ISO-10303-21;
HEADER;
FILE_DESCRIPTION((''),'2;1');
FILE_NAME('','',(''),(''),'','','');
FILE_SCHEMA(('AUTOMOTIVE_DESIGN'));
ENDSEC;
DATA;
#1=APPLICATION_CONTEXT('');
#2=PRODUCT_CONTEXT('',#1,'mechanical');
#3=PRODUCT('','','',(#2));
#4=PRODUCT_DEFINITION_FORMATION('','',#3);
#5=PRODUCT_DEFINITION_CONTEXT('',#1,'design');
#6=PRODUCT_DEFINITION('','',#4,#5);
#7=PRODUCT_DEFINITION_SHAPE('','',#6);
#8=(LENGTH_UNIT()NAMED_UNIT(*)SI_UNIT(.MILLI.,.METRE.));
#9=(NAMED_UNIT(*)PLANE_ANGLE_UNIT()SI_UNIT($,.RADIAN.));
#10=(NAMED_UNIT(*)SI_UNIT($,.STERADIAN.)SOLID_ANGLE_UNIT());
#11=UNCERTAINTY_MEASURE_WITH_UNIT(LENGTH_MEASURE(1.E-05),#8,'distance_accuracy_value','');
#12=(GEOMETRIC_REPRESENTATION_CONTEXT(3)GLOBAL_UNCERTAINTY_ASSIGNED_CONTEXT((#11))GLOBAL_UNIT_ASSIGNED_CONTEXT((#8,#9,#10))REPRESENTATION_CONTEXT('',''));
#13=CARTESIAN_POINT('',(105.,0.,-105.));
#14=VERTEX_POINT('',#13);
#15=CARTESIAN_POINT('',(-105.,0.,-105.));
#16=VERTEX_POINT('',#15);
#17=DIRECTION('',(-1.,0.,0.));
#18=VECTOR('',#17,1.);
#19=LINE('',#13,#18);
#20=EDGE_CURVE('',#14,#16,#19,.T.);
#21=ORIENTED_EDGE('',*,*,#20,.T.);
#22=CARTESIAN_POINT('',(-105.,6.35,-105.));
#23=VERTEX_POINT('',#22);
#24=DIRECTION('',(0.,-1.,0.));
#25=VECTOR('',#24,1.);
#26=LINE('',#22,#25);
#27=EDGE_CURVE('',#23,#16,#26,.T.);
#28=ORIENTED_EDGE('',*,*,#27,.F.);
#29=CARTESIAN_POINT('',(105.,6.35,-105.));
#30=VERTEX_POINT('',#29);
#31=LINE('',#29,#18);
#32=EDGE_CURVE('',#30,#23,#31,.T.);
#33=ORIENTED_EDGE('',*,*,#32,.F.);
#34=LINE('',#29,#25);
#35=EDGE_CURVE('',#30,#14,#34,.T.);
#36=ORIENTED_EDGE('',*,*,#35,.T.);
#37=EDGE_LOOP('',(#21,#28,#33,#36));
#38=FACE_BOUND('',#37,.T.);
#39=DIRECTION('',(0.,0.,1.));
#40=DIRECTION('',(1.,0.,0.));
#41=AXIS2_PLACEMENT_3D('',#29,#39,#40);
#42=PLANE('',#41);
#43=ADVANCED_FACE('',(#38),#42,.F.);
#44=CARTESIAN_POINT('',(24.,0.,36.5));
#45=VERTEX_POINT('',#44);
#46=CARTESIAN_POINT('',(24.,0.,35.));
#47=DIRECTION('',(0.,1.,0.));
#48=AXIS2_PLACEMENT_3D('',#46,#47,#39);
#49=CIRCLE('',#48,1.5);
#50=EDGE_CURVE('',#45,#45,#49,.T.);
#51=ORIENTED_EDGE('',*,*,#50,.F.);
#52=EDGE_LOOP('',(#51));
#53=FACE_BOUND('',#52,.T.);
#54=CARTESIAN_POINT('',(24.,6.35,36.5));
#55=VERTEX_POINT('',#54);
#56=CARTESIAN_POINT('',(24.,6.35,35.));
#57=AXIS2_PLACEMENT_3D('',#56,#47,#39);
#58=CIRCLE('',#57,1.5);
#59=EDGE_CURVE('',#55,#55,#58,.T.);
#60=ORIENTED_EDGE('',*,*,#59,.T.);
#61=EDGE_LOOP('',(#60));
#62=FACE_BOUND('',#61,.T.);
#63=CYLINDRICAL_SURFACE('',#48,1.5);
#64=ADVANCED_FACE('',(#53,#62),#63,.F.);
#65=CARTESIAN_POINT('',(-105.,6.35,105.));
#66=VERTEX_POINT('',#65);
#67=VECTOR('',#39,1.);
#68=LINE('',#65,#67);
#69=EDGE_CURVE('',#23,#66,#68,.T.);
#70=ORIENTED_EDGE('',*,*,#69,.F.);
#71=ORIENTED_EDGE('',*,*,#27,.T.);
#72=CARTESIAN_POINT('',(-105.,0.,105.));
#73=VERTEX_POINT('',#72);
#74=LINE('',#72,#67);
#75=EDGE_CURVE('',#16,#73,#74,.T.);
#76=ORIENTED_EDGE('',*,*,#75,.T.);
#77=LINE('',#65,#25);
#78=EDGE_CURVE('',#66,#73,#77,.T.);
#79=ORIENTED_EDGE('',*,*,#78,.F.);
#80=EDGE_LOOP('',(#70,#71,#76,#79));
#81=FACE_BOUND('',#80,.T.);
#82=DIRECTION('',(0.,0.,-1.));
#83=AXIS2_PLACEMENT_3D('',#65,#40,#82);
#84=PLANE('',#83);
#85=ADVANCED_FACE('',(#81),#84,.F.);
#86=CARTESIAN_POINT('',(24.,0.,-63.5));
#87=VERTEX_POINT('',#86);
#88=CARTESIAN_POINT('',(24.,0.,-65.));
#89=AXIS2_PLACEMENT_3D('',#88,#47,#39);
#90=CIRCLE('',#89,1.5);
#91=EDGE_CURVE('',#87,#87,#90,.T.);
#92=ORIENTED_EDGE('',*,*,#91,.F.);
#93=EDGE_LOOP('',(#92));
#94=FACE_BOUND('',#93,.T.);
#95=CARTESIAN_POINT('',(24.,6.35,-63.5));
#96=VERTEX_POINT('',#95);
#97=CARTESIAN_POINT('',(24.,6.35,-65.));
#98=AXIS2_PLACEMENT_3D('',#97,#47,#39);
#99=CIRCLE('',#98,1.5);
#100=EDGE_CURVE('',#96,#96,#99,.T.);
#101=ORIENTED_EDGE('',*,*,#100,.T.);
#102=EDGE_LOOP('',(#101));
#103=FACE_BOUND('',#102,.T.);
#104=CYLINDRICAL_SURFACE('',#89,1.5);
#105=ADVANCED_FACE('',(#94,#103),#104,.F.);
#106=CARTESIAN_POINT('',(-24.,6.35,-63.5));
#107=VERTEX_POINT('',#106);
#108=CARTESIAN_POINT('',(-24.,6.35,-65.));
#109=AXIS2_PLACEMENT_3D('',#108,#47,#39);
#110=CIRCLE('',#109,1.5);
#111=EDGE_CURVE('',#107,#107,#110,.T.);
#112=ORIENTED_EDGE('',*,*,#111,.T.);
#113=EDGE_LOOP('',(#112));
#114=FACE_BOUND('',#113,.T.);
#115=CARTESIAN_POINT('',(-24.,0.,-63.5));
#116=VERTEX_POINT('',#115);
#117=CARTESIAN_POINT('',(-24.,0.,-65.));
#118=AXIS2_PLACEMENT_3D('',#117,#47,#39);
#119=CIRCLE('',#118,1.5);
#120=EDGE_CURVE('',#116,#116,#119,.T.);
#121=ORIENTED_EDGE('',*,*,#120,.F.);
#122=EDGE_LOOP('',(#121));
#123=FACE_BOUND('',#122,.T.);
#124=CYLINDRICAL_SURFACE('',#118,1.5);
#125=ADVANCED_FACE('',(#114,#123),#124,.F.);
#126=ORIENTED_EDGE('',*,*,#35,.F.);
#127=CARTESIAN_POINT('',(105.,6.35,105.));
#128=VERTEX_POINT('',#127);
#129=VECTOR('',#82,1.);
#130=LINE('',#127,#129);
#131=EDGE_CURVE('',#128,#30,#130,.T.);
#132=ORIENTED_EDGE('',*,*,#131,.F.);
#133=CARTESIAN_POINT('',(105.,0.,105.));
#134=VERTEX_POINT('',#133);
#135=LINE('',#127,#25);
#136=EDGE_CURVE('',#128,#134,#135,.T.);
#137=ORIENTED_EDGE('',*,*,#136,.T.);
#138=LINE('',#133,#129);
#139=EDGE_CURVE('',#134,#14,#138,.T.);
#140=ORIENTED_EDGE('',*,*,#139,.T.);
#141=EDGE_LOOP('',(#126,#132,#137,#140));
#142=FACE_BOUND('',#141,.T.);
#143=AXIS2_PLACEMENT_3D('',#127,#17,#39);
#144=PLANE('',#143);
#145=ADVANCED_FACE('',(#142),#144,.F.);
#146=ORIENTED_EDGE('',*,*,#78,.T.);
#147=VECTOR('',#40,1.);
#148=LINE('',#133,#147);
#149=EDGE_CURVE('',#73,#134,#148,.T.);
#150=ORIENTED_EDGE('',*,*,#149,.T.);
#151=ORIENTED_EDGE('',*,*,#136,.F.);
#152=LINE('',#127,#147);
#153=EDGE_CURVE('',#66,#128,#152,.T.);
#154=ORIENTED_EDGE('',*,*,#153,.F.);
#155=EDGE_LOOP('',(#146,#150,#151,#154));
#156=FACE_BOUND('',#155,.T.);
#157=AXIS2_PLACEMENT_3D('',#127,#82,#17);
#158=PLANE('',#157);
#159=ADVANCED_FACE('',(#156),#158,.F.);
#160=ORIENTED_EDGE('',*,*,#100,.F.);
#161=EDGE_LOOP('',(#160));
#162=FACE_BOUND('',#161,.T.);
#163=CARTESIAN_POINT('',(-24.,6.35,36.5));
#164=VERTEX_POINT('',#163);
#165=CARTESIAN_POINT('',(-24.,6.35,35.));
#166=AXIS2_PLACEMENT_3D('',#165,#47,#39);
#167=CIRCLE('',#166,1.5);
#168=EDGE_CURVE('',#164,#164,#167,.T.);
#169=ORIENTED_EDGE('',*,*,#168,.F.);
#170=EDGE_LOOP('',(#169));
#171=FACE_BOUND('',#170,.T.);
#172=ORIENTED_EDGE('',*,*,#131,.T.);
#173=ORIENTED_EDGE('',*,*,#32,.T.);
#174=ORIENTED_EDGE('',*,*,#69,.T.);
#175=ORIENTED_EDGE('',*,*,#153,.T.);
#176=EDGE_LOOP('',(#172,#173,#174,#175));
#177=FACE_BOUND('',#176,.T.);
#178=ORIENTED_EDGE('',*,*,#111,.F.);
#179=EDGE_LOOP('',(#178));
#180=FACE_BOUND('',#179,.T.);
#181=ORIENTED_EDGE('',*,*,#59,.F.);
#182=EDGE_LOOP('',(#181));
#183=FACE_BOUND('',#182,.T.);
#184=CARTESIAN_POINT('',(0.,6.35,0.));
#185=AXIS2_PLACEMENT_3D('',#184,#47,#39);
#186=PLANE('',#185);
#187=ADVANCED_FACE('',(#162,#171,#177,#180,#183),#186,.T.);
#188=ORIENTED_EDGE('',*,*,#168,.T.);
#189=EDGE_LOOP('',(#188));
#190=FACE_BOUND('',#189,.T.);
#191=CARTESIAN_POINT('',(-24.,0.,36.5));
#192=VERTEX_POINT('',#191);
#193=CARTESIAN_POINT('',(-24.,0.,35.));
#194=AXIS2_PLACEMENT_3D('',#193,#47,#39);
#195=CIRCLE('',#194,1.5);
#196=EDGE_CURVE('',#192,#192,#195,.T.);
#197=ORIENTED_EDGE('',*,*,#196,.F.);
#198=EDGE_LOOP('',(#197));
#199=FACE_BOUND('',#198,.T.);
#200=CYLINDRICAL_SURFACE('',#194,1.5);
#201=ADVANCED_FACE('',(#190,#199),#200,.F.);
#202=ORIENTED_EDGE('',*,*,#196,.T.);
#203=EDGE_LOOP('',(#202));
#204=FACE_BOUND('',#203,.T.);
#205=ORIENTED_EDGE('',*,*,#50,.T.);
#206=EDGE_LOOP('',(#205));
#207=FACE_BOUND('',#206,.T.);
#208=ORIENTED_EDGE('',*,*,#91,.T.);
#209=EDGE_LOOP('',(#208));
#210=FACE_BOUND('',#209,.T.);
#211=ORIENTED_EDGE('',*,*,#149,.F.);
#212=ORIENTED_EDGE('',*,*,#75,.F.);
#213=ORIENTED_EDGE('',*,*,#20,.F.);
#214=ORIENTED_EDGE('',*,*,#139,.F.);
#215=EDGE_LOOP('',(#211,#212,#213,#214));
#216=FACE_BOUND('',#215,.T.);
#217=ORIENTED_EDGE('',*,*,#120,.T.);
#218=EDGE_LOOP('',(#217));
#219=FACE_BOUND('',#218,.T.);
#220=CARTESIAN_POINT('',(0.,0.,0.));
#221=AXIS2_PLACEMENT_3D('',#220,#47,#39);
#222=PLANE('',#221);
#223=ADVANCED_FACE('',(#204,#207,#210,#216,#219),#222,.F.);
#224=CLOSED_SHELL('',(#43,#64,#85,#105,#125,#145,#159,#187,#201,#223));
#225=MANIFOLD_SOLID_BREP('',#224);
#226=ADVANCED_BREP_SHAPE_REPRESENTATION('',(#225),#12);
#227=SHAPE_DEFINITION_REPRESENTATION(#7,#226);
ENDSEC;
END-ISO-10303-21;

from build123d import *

# Parameters (mm, degrees)
SKETCH1_W           = 210
SKETCH1_H           = 210
BOSS_EXTRUDE1_DEPTH = 6.35
SKETCH2_R           = 1.5
CUT_EXTRUDE1_DEPTH  = 7.35


with BuildPart() as part:
    # Sketch1 → Boss-Extrude1 (new body)
    with BuildSketch(Plane(origin=(0, 0, 0), x_dir=(1, 0, 0), z_dir=(0, 1, 0))):
        Rectangle(SKETCH1_W, SKETCH1_H)
    extrude(amount=BOSS_EXTRUDE1_DEPTH)

    # Sketch2 → Cut-Extrude1 (cut, through all)
    with BuildSketch(Plane(origin=(0, 6.35, 0), x_dir=(1, 0, 0), z_dir=(0, 1, 0))):
        with Locations((24, -35)):
            Circle(SKETCH2_R)
        with Locations((-24, -35)):
            Circle(SKETCH2_R)
        with Locations((-24, 65)):
            Circle(SKETCH2_R)
        with Locations((24, 65)):
            Circle(SKETCH2_R)
    extrude(amount=-CUT_EXTRUDE1_DEPTH, mode=Mode.SUBTRACT)


solid = part.part
